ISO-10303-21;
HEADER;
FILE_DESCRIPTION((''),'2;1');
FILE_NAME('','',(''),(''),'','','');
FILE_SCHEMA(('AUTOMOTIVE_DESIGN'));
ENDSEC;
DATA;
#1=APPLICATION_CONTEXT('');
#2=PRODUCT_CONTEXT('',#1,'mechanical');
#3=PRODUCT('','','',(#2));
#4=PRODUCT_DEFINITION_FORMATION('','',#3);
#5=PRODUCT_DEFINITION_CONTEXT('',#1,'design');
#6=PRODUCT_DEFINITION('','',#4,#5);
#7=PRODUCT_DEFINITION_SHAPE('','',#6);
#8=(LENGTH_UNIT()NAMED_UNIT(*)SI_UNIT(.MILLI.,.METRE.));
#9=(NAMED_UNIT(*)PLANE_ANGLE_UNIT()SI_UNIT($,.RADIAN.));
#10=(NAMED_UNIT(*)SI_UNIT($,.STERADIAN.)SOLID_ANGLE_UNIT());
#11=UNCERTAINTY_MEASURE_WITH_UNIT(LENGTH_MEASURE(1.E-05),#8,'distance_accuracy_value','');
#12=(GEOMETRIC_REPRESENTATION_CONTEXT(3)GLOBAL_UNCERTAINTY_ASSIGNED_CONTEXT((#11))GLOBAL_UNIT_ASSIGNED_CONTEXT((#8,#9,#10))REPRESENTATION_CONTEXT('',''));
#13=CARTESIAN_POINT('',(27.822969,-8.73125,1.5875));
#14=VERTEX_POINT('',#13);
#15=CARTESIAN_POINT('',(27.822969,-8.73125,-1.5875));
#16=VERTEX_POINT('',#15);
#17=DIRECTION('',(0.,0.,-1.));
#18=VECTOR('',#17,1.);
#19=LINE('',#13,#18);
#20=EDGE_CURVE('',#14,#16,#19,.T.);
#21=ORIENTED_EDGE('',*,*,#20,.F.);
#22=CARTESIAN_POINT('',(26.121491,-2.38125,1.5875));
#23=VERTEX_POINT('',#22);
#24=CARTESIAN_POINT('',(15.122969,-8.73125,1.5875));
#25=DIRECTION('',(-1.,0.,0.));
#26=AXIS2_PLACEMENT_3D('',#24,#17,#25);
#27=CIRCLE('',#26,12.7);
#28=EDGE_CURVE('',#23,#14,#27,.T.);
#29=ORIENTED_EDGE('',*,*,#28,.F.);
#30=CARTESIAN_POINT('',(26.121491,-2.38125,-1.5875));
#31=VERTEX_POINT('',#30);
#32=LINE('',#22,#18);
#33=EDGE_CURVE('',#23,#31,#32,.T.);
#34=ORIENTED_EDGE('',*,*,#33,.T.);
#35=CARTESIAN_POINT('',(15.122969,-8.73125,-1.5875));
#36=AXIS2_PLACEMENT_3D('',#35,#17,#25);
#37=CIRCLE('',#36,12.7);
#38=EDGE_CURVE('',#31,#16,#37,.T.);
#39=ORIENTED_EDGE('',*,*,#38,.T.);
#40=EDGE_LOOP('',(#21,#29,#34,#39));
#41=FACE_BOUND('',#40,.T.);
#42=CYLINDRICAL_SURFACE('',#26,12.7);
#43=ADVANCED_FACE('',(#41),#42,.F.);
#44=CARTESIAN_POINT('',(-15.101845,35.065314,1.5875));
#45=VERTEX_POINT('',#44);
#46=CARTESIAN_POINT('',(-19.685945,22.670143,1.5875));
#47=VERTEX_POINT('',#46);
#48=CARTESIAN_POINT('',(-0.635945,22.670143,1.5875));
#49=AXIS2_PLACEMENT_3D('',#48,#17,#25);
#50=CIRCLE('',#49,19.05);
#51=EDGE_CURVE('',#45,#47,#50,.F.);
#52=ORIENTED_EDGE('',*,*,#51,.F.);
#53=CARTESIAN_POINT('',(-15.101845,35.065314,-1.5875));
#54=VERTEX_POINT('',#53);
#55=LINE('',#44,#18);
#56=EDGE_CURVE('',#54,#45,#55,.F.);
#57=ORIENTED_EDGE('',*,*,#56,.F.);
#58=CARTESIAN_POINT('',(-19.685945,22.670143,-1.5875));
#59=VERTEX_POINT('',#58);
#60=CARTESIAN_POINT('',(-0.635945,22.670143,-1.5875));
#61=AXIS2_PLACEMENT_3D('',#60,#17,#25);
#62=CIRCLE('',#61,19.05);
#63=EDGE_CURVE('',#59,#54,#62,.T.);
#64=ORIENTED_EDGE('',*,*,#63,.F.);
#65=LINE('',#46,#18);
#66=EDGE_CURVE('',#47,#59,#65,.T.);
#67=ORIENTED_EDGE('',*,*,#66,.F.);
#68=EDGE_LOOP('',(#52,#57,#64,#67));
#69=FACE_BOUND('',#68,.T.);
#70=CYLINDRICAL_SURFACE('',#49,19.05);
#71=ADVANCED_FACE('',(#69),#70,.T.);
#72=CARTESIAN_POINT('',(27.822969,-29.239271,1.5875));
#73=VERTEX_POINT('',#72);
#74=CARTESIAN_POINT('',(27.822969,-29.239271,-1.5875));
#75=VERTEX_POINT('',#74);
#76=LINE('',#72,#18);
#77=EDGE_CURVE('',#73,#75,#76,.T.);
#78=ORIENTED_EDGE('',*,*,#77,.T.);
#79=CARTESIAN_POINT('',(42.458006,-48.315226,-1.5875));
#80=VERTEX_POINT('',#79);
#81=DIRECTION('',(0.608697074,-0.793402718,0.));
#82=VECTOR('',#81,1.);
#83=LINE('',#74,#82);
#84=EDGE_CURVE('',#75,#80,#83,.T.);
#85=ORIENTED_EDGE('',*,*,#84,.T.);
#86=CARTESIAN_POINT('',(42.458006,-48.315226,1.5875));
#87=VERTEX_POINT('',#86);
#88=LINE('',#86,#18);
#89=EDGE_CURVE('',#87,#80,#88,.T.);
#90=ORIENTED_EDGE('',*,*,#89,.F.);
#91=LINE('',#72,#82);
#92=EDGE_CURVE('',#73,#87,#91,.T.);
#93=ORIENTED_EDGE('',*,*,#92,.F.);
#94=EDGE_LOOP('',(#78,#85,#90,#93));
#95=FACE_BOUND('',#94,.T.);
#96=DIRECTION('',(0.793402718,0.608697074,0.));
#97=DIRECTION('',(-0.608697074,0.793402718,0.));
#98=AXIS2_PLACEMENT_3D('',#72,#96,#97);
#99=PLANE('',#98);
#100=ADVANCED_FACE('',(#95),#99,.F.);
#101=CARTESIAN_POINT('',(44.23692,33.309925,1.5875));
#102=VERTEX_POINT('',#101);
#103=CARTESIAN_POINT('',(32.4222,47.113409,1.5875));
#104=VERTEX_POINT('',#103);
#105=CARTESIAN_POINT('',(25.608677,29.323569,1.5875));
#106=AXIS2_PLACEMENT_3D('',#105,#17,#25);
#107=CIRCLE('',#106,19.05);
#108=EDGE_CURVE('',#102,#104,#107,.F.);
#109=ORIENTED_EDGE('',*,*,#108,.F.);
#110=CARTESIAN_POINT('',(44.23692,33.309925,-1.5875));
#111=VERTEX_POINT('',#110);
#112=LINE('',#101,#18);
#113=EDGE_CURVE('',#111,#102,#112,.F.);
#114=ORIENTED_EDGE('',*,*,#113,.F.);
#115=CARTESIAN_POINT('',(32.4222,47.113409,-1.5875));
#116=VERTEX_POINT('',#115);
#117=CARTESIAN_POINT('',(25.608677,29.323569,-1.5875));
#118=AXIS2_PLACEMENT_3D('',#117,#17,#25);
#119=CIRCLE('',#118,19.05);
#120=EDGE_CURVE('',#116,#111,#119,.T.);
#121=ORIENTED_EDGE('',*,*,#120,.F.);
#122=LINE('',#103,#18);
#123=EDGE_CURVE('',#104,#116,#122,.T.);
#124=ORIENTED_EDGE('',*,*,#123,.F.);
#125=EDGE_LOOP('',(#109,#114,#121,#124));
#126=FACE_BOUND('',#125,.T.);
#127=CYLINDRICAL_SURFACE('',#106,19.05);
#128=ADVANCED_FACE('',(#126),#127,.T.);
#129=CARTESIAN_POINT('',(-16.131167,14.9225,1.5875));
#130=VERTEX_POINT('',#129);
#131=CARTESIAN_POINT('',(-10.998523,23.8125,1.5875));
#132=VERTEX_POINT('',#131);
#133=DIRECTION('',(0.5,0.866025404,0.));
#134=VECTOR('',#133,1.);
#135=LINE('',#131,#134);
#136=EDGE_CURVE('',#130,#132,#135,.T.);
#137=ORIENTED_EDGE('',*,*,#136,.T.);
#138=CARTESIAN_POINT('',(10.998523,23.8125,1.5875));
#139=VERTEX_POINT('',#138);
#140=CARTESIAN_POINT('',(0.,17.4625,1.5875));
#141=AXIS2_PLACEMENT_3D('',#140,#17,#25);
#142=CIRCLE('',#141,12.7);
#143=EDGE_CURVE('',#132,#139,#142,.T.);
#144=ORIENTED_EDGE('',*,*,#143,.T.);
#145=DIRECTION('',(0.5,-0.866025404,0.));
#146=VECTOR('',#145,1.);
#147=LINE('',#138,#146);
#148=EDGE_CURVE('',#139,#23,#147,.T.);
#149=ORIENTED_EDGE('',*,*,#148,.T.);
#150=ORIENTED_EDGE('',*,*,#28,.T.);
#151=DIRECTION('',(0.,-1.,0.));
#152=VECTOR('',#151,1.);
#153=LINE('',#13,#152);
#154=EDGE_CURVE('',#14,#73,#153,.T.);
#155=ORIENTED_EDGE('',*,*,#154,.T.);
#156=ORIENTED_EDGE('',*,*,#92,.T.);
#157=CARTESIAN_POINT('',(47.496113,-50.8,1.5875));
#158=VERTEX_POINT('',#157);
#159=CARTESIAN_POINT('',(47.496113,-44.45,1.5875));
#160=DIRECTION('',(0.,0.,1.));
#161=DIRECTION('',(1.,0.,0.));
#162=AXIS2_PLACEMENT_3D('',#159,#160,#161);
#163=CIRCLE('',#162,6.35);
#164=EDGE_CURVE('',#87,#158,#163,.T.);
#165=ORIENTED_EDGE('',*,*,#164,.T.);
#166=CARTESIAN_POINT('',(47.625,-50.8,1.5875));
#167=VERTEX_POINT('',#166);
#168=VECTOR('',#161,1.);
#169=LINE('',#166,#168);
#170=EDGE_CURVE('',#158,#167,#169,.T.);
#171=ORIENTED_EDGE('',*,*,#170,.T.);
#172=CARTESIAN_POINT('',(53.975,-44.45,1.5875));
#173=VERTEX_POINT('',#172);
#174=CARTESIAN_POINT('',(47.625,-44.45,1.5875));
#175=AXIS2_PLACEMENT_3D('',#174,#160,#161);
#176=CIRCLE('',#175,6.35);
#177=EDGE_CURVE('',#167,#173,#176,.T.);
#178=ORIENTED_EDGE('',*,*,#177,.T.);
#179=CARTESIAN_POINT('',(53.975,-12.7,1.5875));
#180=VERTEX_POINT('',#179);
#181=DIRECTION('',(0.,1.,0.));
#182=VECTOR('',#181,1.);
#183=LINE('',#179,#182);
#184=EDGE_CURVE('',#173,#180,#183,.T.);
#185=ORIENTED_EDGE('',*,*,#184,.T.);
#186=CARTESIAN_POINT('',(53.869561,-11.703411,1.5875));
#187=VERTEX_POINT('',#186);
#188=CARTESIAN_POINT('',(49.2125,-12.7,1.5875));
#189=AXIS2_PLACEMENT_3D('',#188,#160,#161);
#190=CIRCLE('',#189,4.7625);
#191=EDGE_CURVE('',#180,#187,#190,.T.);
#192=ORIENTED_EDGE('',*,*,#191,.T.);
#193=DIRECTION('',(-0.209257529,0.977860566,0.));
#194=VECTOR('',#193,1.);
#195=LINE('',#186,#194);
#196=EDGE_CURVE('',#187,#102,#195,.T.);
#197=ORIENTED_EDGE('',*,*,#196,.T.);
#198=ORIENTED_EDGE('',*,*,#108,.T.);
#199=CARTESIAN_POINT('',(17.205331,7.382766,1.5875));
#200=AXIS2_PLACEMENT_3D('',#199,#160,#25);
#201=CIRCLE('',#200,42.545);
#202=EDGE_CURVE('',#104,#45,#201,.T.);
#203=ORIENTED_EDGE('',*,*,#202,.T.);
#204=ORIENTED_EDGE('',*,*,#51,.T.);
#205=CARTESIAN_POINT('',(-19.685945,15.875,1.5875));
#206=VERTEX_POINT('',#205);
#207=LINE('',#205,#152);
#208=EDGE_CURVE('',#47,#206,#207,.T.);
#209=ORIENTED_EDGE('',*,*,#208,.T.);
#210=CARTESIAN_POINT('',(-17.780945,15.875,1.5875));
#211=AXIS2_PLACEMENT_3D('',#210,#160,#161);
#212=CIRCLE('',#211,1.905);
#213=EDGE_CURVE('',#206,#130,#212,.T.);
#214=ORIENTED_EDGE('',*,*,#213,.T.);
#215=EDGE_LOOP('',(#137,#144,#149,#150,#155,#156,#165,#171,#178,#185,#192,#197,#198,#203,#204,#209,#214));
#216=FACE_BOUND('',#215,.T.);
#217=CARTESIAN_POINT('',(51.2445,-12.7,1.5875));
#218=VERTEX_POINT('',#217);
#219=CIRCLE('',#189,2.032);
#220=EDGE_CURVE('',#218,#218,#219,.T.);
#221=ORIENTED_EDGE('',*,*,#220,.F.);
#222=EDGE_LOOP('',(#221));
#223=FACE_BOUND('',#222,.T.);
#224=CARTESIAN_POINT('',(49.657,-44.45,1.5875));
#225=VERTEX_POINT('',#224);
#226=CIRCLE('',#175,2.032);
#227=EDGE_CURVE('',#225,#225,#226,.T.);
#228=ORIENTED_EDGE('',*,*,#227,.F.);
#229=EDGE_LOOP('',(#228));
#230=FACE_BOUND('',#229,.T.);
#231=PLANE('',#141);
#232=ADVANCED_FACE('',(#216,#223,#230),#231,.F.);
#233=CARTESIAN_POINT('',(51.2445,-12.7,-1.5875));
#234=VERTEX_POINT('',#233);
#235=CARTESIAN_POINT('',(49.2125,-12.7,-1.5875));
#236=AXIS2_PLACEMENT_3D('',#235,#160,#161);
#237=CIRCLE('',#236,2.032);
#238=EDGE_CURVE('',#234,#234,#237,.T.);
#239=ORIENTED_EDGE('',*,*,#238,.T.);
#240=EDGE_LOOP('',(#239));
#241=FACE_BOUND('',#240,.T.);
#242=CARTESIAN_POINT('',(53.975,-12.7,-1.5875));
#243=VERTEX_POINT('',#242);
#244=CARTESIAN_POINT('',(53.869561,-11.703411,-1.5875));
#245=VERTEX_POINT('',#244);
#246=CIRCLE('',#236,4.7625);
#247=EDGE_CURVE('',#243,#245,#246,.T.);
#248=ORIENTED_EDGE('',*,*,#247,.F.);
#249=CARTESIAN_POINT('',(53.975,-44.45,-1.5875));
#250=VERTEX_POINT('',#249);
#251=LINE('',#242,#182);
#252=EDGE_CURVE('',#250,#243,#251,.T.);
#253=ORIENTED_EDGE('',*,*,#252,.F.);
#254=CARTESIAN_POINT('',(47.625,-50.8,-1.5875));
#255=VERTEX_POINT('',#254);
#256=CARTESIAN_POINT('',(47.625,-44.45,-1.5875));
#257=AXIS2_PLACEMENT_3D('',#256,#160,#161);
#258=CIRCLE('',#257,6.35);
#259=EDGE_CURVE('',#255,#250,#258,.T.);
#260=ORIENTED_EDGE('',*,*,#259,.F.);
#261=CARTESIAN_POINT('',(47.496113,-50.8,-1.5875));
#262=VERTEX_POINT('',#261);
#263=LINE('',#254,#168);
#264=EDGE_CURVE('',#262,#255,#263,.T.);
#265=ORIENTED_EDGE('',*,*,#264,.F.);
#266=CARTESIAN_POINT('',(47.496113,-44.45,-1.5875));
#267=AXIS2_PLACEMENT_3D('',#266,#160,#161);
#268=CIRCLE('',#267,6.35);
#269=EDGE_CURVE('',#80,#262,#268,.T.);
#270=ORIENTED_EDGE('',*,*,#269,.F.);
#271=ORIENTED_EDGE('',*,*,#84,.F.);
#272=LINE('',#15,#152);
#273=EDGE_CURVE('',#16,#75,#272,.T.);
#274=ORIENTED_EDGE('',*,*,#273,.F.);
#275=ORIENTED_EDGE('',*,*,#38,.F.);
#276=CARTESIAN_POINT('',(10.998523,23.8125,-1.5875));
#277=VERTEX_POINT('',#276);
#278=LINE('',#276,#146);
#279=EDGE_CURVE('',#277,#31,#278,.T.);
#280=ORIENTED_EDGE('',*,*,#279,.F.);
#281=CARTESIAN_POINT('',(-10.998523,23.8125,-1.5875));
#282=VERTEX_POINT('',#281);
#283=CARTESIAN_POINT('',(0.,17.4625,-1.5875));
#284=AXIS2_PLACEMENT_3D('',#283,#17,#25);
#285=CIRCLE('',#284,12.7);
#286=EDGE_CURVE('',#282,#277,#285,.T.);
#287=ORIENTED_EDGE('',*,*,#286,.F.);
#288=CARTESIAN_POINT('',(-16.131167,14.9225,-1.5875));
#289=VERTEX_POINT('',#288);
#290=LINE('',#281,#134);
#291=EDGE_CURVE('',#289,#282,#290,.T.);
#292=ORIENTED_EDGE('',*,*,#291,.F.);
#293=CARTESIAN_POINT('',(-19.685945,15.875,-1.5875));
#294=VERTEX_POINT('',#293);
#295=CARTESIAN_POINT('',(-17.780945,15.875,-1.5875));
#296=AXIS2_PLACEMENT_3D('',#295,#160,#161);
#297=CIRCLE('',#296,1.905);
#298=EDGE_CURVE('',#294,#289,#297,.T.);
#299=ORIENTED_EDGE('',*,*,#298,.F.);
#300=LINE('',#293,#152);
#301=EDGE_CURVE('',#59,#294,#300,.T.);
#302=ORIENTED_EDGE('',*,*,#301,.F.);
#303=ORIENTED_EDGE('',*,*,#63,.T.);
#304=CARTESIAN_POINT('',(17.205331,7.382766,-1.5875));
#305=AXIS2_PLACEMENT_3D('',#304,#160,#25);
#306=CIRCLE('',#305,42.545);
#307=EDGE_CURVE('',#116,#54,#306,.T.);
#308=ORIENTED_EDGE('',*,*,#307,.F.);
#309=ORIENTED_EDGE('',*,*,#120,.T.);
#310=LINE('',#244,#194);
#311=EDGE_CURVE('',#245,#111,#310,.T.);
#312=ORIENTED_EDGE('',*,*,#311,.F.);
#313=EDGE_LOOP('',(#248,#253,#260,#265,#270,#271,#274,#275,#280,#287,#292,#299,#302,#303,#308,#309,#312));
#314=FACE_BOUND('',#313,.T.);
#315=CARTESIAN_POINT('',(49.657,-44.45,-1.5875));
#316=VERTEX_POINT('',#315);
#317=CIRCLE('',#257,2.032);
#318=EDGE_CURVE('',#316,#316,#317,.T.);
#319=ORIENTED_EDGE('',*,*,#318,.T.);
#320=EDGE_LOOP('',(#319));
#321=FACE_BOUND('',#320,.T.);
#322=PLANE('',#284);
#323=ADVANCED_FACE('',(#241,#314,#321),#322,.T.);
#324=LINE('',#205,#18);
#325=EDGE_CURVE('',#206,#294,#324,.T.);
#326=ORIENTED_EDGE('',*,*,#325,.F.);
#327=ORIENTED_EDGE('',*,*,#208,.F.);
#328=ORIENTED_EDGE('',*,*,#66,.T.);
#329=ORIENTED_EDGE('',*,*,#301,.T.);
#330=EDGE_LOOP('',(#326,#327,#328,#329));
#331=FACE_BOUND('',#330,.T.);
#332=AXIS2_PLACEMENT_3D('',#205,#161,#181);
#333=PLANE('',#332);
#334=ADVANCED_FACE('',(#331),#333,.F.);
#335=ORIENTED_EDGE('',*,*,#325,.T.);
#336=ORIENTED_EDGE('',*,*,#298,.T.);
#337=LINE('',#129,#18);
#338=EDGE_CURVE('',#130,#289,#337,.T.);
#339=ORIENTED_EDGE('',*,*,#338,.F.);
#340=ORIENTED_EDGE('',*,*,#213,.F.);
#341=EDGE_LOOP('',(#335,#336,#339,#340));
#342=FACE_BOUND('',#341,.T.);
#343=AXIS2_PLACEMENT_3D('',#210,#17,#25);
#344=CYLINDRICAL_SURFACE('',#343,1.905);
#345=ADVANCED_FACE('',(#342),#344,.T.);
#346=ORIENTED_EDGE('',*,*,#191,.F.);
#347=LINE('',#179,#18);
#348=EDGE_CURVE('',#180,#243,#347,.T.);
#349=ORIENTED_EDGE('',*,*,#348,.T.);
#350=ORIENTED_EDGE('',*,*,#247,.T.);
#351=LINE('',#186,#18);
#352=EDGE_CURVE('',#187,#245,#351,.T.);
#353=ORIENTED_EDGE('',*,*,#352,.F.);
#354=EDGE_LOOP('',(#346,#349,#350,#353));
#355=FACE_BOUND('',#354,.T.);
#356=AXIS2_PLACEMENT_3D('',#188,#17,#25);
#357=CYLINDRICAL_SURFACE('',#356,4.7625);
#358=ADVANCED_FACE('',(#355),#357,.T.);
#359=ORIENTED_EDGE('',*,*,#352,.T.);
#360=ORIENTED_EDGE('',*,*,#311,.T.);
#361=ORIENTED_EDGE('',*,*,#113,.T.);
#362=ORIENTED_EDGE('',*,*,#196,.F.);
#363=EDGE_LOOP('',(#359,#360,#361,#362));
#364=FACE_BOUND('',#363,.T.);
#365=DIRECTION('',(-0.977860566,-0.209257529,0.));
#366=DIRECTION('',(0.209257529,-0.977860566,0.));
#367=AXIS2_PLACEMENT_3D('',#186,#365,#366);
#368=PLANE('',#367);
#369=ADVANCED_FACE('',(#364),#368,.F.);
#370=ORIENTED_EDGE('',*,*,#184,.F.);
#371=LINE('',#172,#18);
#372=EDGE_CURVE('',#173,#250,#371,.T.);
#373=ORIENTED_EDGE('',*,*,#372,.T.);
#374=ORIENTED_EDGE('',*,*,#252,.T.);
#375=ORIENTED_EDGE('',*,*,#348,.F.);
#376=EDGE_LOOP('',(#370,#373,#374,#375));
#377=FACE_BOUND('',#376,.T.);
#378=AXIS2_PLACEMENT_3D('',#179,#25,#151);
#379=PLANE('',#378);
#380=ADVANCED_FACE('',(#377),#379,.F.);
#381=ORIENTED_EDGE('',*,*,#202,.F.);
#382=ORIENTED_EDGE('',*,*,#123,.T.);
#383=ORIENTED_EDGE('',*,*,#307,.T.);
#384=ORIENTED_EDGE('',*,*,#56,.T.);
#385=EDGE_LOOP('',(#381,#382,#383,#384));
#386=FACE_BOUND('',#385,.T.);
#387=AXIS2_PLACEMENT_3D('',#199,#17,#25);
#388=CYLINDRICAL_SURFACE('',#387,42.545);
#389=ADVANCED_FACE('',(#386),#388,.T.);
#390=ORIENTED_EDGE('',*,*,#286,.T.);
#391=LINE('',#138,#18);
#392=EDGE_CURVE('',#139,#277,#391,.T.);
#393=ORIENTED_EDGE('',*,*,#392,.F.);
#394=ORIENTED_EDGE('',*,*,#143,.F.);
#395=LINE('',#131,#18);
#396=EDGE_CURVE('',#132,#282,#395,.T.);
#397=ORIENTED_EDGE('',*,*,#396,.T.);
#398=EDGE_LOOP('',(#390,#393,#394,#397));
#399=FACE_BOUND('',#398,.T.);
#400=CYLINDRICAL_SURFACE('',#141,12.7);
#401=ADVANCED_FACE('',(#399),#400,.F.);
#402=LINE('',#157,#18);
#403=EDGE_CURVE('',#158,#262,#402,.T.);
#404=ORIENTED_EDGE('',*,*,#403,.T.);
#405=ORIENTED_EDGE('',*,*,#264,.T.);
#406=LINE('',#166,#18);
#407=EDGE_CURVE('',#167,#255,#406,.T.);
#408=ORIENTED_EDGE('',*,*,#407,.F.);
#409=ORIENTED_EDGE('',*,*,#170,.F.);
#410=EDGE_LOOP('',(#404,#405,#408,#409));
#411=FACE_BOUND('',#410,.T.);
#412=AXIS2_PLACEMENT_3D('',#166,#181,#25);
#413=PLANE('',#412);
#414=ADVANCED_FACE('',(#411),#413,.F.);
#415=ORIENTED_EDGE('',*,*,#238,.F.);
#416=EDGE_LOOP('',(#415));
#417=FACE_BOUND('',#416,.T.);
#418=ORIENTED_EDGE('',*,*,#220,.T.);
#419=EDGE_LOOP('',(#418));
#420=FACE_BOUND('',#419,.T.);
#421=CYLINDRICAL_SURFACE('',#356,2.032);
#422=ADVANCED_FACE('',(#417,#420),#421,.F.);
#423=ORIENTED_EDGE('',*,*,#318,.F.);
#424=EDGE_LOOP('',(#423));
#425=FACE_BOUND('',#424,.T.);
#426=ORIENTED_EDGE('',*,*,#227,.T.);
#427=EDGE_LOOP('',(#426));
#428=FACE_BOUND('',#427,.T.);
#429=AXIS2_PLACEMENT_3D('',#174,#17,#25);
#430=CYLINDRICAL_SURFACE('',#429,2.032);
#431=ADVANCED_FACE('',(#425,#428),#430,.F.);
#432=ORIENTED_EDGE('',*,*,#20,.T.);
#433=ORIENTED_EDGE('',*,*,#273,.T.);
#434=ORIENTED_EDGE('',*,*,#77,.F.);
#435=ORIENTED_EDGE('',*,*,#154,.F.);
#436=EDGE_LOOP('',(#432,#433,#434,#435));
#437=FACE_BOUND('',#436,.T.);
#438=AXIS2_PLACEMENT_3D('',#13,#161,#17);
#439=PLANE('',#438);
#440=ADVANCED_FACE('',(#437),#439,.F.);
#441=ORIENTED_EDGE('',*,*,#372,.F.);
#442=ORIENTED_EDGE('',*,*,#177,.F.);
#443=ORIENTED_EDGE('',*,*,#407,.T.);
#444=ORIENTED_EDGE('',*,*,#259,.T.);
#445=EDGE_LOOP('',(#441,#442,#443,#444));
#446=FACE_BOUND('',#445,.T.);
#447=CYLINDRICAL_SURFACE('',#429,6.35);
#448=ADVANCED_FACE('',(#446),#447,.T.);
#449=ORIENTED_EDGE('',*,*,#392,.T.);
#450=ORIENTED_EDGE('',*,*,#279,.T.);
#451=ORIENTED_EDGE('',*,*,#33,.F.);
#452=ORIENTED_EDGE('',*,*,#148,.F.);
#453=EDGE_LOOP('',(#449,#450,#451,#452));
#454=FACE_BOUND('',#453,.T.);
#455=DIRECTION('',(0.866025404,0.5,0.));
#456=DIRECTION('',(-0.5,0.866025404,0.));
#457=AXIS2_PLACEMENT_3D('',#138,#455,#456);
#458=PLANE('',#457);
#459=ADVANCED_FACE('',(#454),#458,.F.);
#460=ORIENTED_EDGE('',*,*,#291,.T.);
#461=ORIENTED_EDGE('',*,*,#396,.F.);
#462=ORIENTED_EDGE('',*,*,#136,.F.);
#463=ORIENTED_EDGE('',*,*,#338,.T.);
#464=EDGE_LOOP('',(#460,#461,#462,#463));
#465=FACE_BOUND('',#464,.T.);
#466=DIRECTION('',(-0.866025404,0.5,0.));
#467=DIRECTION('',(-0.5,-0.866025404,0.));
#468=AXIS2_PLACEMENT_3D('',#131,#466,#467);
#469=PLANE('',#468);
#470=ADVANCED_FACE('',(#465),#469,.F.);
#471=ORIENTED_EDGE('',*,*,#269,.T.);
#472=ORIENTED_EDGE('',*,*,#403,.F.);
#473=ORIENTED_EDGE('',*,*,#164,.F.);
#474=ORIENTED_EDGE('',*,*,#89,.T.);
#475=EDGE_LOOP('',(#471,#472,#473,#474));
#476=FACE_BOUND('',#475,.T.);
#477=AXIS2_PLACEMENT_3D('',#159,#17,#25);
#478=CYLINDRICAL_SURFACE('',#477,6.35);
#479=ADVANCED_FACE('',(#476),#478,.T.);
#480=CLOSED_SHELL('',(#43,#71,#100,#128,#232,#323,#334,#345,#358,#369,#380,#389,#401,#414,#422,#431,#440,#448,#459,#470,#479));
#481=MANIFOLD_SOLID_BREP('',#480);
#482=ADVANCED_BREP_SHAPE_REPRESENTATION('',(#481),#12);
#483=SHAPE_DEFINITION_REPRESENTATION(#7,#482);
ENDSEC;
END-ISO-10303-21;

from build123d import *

# Parameters (mm, degrees)
SKETCH1_R           = 2.032
BOSS_EXTRUDE1_DEPTH = 1.5875
FILLET1_R           = 19.05


with BuildPart() as part:
    # Sketch1 → Boss-Extrude1 (new, symmetric)
    with BuildSketch(Plane.XY):
        with BuildLine():
            Line((10.998522628, 23.8125), (26.121491242, -2.38125))
            ThreePointArc((26.121491242, -2.38125), (27.390226607, -5.444248127), (27.822968614, -8.73125))
            Line((27.822968614, -8.73125), (27.822968614, -29.239270948))
            Line((27.822968614, -29.239270948), (42.458005799, -48.315226419))
            ThreePointArc((42.458005799, -48.315226419), (44.687348893, -50.145027996), (47.496113055, -50.8))
            Line((47.496113055, -50.8), (47.625, -50.8))
            ThreePointArc((47.625, -50.8), (52.115128061, -48.940128061), (53.975, -44.45))
            Line((53.975, -44.45), (53.975, -12.7))
            ThreePointArc((53.975, -12.7), (53.948566881, -12.198924408), (53.869560945, -11.703411017))
            Line((53.869560945, -11.703411017), (42.458005799, 41.622793369))
            ThreePointArc((42.458005799, 41.622793369), (8.463163904, 49.01990761), (-19.685944915, 28.575))
            Line((-19.685944915, 28.575), (-19.685944915, 15.875))
            ThreePointArc((-19.685944915, 15.875), (-18.273995196, 14.034911301), (-16.131166521, 14.9225))
            Line((-16.131166521, 14.9225), (-10.998522628, 23.8125))
            ThreePointArc((-10.998522628, 23.8125), (0, 30.1625), (10.998522628, 23.8125))
        make_face()
        with Locations((47.625, -44.45)):
            Circle(SKETCH1_R, mode=Mode.SUBTRACT)
        with Locations((49.2125, -12.7)):
            Circle(SKETCH1_R, mode=Mode.SUBTRACT)
    extrude(amount=BOSS_EXTRUDE1_DEPTH, both=True)

    # Fillet1
    fillet1_edges = [part.edges().sort_by_distance(p)[0] for p in [
        (-19.685944915, 28.575, 0),
        (42.458005799, 41.622793369, 0),
    ]]
    fillet(fillet1_edges, radius=FILLET1_R)


solid = part.part
